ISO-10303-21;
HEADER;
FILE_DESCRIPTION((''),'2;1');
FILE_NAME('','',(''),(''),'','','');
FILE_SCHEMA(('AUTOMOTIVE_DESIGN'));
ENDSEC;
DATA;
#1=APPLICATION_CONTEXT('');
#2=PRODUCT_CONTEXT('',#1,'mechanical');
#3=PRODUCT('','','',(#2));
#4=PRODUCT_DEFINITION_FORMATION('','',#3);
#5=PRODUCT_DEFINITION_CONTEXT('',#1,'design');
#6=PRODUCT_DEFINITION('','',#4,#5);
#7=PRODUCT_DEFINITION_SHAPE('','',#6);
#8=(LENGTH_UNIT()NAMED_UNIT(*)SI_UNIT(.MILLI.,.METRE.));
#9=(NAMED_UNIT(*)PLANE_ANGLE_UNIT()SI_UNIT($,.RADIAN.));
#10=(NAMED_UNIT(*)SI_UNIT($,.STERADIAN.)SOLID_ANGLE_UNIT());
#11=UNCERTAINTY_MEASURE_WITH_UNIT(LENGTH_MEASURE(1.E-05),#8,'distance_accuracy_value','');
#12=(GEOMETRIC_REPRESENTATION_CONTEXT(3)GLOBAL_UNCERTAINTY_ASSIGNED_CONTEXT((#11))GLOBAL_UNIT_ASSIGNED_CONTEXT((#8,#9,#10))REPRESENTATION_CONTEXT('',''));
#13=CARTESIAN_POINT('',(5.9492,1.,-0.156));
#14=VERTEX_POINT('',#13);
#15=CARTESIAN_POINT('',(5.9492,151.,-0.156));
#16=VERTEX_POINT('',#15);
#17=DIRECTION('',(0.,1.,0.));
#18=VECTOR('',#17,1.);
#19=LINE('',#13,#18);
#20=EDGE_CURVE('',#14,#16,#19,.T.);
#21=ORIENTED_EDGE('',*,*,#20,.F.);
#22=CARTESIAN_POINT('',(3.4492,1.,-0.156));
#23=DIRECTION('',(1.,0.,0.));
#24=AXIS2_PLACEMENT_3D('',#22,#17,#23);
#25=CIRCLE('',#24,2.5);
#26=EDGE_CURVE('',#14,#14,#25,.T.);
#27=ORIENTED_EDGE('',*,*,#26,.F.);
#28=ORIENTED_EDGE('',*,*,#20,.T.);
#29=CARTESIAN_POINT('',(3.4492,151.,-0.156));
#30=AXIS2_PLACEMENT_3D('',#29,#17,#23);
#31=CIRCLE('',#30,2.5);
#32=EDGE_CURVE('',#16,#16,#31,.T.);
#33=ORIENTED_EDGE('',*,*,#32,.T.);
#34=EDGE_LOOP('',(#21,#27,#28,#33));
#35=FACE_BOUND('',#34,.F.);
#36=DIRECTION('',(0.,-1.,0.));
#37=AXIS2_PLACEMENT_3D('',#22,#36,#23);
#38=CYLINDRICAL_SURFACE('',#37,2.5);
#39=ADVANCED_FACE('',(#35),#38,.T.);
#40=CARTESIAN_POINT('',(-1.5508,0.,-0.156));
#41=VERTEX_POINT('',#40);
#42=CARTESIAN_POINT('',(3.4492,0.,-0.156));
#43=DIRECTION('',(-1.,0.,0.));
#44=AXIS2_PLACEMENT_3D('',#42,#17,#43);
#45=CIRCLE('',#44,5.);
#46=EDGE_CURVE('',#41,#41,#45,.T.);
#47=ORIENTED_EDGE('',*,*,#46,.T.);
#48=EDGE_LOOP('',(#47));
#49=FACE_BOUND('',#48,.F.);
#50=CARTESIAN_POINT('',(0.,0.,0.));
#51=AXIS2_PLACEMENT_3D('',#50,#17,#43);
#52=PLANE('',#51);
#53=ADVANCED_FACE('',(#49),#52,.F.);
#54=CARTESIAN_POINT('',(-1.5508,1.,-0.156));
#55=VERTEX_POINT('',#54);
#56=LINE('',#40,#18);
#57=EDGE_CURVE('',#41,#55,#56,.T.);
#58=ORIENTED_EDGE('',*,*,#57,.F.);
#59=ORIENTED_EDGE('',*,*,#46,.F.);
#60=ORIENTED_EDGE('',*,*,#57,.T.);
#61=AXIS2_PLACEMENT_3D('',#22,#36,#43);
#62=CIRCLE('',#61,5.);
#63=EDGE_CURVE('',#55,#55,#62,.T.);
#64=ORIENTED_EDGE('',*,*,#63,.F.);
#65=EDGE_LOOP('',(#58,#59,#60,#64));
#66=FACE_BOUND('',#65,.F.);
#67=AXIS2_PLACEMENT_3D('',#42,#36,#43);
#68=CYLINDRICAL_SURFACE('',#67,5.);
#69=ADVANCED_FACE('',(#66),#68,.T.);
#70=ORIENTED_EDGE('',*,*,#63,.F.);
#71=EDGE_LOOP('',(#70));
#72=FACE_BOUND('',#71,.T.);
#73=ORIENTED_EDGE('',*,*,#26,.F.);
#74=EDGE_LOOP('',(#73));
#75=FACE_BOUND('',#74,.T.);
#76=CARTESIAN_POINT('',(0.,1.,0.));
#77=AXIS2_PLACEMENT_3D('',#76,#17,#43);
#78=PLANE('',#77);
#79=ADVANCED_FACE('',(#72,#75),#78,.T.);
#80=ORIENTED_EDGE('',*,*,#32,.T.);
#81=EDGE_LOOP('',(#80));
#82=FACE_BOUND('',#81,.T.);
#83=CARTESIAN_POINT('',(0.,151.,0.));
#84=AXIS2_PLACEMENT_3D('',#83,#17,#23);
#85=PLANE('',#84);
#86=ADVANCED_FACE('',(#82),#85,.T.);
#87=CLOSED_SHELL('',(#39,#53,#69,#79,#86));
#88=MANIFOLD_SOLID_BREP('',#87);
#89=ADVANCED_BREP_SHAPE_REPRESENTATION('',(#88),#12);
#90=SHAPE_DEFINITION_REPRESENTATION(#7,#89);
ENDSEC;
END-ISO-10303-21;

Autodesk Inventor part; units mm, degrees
ref_plane "YZ Plane" through (0, 0, 0) normal (1, 0, 0) x (0, 1, 0)
ref_plane "XZ Plane" through (0, 0, 0) normal (0, 1, 0) x (-1, 0, 0)
ref_plane "XY Plane" through (0, 0, 0) normal (0, 0, 1) x (1, 0, 0)
sketch "Sketch1" plane through (0, 0, 0) normal (0, 1, 0) x (-1, 0, 0)
  line L0 (-9.9492, -0.156) -> (-3.4492, -0.156)
  circle A0 centre (-3.4492, -0.156) radius 5
  point P0 (0, 0)
  dimension "d10" = 10
extrude "Extrusion1" add sketch "Sketch1" along normal blind 1
sketch "Sketch2" plane through (0, 1, 0) normal (0, 1, 0) x (1, 0, 0)
  line L0 (-3.0508, -6.344) -> (9.9492, -6.344) projected
  circle A0 centre (3.4492, 0.156) radius 2.5
  point P0 (0, 0)
  dimension "d5" = 5
extrude "Extrusion2" add sketch "Sketch2" along normal blind 150
thread "Thread1" size "M5x0.8" class "6g" standard "ANSI Metric M Profile" full length
properties part number "rod" material "Steel"
